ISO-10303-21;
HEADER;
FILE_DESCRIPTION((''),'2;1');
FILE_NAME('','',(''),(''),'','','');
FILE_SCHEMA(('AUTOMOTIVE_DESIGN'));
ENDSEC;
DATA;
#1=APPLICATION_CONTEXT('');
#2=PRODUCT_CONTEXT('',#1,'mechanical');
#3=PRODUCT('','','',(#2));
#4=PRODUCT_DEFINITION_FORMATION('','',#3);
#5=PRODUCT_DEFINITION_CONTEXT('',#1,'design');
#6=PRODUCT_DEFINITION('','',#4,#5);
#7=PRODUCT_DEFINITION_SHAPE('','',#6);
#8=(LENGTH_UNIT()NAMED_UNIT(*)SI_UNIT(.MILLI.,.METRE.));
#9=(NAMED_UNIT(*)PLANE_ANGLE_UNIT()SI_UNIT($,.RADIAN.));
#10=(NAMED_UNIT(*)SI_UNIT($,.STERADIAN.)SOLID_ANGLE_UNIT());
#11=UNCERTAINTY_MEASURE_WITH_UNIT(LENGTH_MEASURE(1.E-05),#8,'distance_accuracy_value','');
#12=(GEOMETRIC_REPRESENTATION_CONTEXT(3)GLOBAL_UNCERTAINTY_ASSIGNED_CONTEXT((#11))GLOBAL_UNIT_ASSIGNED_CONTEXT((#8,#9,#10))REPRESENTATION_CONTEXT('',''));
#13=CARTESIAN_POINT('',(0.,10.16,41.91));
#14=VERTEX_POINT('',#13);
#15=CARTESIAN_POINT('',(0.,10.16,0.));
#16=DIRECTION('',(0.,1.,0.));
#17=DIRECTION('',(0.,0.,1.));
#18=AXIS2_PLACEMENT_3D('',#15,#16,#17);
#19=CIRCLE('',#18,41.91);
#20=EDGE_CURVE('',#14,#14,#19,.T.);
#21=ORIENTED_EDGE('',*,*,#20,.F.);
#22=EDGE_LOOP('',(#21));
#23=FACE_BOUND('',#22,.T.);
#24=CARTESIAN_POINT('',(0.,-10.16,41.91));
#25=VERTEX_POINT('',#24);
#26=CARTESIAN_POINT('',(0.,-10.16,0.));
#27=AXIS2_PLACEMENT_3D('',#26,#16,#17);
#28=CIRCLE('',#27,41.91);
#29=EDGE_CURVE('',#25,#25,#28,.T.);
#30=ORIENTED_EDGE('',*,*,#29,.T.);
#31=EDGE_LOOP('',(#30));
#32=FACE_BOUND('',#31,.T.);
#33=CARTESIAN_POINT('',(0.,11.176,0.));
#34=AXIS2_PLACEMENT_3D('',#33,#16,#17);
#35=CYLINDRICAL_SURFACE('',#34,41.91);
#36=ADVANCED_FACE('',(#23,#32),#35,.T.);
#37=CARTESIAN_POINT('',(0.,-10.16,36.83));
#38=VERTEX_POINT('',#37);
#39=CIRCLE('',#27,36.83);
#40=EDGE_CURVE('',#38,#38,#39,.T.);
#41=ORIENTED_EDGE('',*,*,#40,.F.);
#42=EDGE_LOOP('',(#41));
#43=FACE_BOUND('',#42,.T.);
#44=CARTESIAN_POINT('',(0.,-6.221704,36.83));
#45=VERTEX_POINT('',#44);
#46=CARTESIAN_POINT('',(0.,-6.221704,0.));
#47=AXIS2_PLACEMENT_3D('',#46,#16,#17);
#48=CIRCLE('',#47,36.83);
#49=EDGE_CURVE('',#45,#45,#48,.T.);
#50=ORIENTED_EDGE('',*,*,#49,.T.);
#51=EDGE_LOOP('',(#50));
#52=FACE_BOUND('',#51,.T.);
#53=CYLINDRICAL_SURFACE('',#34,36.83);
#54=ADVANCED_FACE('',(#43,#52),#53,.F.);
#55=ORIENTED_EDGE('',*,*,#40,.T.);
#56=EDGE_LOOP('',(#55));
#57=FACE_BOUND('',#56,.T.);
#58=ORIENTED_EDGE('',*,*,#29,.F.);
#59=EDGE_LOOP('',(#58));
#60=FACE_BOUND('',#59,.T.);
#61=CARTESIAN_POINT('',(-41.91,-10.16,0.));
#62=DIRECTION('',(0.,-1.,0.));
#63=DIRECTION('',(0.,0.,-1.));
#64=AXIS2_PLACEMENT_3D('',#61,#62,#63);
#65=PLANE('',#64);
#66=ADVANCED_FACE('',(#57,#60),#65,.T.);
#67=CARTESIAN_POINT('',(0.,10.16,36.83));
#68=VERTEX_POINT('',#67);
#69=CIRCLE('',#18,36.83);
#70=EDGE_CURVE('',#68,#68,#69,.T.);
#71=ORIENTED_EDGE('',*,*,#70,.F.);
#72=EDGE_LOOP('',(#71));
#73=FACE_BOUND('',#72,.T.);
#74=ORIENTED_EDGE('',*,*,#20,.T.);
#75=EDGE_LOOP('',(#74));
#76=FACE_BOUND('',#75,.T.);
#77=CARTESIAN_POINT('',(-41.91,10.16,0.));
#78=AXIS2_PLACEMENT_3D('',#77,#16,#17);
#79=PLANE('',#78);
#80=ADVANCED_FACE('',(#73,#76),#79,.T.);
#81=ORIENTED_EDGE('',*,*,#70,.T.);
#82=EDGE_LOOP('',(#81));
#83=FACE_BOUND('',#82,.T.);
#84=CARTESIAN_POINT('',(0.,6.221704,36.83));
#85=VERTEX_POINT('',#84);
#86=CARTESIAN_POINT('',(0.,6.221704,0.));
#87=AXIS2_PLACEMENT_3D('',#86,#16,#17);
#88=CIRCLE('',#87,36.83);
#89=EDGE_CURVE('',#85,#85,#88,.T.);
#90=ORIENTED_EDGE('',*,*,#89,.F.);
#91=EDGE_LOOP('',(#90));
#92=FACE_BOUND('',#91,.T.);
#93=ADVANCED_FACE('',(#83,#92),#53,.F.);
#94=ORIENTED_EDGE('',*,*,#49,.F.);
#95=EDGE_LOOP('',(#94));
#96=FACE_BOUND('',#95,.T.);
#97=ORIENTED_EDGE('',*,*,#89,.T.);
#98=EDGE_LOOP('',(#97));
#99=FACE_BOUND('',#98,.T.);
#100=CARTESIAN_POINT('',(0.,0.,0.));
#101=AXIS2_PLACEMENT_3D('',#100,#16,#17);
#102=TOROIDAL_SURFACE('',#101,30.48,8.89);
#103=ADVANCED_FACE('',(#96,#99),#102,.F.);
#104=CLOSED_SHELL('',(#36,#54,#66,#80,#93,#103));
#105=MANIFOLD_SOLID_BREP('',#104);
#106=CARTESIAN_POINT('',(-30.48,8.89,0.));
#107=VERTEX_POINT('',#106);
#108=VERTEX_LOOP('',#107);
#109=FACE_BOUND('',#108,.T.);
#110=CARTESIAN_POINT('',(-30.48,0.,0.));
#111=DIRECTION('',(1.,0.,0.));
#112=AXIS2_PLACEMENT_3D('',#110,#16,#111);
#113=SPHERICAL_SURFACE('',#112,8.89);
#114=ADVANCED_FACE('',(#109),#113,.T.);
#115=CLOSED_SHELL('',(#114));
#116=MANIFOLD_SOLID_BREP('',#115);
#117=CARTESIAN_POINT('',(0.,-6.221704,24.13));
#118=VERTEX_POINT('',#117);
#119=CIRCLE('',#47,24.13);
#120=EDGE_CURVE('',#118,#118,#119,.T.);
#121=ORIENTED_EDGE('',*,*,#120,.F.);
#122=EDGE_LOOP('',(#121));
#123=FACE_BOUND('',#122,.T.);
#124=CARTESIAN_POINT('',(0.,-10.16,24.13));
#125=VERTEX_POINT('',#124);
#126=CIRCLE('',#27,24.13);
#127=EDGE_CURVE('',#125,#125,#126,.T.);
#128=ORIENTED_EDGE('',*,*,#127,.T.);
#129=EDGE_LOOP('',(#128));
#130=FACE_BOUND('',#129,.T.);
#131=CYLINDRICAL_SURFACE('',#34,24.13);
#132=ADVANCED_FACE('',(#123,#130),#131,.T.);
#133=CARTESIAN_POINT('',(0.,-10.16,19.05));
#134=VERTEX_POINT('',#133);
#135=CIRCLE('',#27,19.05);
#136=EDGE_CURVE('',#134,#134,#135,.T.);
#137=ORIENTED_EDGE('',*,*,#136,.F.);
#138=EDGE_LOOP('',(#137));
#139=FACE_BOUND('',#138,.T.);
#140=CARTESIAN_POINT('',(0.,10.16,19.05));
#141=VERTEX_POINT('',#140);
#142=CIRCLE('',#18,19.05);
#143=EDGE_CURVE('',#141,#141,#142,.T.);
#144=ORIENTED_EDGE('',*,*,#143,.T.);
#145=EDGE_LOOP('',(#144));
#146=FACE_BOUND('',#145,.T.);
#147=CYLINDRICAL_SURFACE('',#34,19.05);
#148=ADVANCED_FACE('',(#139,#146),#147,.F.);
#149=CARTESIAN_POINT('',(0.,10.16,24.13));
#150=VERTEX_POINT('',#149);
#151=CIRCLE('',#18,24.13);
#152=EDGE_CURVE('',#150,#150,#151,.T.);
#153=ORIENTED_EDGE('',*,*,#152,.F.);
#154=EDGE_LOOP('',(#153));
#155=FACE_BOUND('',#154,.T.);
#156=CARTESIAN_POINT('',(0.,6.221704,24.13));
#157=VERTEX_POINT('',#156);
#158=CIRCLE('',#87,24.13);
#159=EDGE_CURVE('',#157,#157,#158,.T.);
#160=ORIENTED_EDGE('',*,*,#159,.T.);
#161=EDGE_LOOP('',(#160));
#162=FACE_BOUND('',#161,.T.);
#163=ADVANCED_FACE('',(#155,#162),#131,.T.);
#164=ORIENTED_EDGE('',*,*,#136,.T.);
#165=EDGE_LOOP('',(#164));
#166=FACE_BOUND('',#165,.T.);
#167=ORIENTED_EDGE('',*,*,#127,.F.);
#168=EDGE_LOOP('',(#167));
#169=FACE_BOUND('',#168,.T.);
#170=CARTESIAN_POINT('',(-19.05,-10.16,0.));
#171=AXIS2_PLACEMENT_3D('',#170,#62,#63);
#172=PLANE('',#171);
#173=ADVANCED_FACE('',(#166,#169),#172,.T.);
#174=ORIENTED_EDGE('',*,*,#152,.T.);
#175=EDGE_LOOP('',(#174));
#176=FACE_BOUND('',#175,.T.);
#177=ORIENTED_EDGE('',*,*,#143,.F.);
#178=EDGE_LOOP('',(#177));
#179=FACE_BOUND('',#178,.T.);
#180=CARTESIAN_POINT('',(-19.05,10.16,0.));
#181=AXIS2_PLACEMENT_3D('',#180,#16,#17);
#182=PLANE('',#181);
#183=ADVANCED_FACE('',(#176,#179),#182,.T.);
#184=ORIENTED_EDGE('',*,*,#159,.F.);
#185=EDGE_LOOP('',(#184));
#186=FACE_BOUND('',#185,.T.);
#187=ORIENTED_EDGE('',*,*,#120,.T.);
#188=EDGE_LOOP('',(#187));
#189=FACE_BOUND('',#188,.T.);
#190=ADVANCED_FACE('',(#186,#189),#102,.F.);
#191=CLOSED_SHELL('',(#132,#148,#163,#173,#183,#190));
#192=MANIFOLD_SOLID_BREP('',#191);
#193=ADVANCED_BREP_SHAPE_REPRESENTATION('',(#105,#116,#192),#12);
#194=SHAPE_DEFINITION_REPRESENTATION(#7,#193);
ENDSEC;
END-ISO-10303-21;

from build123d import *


with BuildPart() as part:
    # Sketch2 → Revolve1 (revolve)
    with BuildSketch(Plane.XY):
        with BuildLine():
            ThreePointArc((-30.48, -8.889999836), (-21.59, 1.64e-07), (-30.48, 8.890000164))
            Line((-30.48, 8.890000164), (-30.48, -8.889999836))
        make_face()
    revolve(axis=Axis((-30.48, 10.589901025, 0), (0, -1, 0)))


with BuildPart() as body_2:
    # Sketch1 → Revolve2 (revolve)
    with BuildSketch(Plane.XY, mode=Mode.PRIVATE) as revolve2_sk:
        with BuildLine():
            Line((-41.91, -10.159999672), (-36.83, -10.159999672))
            Line((-36.83, -10.159999672), (-36.83, -6.221703783))
            ThreePointArc((-36.83, -6.221703783), (-39.37, 1.64e-07), (-36.83, 6.221704111))
            Line((-36.83, 6.221704111), (-36.83, 10.160000328))
            Line((-36.83, 10.160000328), (-41.91, 10.160000328))
            Line((-41.91, 10.160000328), (-41.91, -10.159999672))
        make_face()
        with BuildLine():
            Line((-19.05, -10.16), (-24.13, -10.16))
            Line((-24.13, -10.16), (-24.13, -6.221703783))
            ThreePointArc((-24.13, -6.221703783), (-21.59, 1.64e-07), (-24.13, 6.221704111))
            Line((-24.13, 6.221704111), (-24.13, 10.16))
            Line((-24.13, 10.16), (-19.05, 10.16))
            Line((-19.05, 10.16), (-19.05, -10.16))
        make_face()
    revolve(revolve2_sk.sketch.rotate(Axis((0, 11.176000344, 0), (0, -1, 0)), 270), axis=Axis((0, 11.176000344, 0), (0, -1, 0)))


solid = Compound([part.part, body_2.part])
